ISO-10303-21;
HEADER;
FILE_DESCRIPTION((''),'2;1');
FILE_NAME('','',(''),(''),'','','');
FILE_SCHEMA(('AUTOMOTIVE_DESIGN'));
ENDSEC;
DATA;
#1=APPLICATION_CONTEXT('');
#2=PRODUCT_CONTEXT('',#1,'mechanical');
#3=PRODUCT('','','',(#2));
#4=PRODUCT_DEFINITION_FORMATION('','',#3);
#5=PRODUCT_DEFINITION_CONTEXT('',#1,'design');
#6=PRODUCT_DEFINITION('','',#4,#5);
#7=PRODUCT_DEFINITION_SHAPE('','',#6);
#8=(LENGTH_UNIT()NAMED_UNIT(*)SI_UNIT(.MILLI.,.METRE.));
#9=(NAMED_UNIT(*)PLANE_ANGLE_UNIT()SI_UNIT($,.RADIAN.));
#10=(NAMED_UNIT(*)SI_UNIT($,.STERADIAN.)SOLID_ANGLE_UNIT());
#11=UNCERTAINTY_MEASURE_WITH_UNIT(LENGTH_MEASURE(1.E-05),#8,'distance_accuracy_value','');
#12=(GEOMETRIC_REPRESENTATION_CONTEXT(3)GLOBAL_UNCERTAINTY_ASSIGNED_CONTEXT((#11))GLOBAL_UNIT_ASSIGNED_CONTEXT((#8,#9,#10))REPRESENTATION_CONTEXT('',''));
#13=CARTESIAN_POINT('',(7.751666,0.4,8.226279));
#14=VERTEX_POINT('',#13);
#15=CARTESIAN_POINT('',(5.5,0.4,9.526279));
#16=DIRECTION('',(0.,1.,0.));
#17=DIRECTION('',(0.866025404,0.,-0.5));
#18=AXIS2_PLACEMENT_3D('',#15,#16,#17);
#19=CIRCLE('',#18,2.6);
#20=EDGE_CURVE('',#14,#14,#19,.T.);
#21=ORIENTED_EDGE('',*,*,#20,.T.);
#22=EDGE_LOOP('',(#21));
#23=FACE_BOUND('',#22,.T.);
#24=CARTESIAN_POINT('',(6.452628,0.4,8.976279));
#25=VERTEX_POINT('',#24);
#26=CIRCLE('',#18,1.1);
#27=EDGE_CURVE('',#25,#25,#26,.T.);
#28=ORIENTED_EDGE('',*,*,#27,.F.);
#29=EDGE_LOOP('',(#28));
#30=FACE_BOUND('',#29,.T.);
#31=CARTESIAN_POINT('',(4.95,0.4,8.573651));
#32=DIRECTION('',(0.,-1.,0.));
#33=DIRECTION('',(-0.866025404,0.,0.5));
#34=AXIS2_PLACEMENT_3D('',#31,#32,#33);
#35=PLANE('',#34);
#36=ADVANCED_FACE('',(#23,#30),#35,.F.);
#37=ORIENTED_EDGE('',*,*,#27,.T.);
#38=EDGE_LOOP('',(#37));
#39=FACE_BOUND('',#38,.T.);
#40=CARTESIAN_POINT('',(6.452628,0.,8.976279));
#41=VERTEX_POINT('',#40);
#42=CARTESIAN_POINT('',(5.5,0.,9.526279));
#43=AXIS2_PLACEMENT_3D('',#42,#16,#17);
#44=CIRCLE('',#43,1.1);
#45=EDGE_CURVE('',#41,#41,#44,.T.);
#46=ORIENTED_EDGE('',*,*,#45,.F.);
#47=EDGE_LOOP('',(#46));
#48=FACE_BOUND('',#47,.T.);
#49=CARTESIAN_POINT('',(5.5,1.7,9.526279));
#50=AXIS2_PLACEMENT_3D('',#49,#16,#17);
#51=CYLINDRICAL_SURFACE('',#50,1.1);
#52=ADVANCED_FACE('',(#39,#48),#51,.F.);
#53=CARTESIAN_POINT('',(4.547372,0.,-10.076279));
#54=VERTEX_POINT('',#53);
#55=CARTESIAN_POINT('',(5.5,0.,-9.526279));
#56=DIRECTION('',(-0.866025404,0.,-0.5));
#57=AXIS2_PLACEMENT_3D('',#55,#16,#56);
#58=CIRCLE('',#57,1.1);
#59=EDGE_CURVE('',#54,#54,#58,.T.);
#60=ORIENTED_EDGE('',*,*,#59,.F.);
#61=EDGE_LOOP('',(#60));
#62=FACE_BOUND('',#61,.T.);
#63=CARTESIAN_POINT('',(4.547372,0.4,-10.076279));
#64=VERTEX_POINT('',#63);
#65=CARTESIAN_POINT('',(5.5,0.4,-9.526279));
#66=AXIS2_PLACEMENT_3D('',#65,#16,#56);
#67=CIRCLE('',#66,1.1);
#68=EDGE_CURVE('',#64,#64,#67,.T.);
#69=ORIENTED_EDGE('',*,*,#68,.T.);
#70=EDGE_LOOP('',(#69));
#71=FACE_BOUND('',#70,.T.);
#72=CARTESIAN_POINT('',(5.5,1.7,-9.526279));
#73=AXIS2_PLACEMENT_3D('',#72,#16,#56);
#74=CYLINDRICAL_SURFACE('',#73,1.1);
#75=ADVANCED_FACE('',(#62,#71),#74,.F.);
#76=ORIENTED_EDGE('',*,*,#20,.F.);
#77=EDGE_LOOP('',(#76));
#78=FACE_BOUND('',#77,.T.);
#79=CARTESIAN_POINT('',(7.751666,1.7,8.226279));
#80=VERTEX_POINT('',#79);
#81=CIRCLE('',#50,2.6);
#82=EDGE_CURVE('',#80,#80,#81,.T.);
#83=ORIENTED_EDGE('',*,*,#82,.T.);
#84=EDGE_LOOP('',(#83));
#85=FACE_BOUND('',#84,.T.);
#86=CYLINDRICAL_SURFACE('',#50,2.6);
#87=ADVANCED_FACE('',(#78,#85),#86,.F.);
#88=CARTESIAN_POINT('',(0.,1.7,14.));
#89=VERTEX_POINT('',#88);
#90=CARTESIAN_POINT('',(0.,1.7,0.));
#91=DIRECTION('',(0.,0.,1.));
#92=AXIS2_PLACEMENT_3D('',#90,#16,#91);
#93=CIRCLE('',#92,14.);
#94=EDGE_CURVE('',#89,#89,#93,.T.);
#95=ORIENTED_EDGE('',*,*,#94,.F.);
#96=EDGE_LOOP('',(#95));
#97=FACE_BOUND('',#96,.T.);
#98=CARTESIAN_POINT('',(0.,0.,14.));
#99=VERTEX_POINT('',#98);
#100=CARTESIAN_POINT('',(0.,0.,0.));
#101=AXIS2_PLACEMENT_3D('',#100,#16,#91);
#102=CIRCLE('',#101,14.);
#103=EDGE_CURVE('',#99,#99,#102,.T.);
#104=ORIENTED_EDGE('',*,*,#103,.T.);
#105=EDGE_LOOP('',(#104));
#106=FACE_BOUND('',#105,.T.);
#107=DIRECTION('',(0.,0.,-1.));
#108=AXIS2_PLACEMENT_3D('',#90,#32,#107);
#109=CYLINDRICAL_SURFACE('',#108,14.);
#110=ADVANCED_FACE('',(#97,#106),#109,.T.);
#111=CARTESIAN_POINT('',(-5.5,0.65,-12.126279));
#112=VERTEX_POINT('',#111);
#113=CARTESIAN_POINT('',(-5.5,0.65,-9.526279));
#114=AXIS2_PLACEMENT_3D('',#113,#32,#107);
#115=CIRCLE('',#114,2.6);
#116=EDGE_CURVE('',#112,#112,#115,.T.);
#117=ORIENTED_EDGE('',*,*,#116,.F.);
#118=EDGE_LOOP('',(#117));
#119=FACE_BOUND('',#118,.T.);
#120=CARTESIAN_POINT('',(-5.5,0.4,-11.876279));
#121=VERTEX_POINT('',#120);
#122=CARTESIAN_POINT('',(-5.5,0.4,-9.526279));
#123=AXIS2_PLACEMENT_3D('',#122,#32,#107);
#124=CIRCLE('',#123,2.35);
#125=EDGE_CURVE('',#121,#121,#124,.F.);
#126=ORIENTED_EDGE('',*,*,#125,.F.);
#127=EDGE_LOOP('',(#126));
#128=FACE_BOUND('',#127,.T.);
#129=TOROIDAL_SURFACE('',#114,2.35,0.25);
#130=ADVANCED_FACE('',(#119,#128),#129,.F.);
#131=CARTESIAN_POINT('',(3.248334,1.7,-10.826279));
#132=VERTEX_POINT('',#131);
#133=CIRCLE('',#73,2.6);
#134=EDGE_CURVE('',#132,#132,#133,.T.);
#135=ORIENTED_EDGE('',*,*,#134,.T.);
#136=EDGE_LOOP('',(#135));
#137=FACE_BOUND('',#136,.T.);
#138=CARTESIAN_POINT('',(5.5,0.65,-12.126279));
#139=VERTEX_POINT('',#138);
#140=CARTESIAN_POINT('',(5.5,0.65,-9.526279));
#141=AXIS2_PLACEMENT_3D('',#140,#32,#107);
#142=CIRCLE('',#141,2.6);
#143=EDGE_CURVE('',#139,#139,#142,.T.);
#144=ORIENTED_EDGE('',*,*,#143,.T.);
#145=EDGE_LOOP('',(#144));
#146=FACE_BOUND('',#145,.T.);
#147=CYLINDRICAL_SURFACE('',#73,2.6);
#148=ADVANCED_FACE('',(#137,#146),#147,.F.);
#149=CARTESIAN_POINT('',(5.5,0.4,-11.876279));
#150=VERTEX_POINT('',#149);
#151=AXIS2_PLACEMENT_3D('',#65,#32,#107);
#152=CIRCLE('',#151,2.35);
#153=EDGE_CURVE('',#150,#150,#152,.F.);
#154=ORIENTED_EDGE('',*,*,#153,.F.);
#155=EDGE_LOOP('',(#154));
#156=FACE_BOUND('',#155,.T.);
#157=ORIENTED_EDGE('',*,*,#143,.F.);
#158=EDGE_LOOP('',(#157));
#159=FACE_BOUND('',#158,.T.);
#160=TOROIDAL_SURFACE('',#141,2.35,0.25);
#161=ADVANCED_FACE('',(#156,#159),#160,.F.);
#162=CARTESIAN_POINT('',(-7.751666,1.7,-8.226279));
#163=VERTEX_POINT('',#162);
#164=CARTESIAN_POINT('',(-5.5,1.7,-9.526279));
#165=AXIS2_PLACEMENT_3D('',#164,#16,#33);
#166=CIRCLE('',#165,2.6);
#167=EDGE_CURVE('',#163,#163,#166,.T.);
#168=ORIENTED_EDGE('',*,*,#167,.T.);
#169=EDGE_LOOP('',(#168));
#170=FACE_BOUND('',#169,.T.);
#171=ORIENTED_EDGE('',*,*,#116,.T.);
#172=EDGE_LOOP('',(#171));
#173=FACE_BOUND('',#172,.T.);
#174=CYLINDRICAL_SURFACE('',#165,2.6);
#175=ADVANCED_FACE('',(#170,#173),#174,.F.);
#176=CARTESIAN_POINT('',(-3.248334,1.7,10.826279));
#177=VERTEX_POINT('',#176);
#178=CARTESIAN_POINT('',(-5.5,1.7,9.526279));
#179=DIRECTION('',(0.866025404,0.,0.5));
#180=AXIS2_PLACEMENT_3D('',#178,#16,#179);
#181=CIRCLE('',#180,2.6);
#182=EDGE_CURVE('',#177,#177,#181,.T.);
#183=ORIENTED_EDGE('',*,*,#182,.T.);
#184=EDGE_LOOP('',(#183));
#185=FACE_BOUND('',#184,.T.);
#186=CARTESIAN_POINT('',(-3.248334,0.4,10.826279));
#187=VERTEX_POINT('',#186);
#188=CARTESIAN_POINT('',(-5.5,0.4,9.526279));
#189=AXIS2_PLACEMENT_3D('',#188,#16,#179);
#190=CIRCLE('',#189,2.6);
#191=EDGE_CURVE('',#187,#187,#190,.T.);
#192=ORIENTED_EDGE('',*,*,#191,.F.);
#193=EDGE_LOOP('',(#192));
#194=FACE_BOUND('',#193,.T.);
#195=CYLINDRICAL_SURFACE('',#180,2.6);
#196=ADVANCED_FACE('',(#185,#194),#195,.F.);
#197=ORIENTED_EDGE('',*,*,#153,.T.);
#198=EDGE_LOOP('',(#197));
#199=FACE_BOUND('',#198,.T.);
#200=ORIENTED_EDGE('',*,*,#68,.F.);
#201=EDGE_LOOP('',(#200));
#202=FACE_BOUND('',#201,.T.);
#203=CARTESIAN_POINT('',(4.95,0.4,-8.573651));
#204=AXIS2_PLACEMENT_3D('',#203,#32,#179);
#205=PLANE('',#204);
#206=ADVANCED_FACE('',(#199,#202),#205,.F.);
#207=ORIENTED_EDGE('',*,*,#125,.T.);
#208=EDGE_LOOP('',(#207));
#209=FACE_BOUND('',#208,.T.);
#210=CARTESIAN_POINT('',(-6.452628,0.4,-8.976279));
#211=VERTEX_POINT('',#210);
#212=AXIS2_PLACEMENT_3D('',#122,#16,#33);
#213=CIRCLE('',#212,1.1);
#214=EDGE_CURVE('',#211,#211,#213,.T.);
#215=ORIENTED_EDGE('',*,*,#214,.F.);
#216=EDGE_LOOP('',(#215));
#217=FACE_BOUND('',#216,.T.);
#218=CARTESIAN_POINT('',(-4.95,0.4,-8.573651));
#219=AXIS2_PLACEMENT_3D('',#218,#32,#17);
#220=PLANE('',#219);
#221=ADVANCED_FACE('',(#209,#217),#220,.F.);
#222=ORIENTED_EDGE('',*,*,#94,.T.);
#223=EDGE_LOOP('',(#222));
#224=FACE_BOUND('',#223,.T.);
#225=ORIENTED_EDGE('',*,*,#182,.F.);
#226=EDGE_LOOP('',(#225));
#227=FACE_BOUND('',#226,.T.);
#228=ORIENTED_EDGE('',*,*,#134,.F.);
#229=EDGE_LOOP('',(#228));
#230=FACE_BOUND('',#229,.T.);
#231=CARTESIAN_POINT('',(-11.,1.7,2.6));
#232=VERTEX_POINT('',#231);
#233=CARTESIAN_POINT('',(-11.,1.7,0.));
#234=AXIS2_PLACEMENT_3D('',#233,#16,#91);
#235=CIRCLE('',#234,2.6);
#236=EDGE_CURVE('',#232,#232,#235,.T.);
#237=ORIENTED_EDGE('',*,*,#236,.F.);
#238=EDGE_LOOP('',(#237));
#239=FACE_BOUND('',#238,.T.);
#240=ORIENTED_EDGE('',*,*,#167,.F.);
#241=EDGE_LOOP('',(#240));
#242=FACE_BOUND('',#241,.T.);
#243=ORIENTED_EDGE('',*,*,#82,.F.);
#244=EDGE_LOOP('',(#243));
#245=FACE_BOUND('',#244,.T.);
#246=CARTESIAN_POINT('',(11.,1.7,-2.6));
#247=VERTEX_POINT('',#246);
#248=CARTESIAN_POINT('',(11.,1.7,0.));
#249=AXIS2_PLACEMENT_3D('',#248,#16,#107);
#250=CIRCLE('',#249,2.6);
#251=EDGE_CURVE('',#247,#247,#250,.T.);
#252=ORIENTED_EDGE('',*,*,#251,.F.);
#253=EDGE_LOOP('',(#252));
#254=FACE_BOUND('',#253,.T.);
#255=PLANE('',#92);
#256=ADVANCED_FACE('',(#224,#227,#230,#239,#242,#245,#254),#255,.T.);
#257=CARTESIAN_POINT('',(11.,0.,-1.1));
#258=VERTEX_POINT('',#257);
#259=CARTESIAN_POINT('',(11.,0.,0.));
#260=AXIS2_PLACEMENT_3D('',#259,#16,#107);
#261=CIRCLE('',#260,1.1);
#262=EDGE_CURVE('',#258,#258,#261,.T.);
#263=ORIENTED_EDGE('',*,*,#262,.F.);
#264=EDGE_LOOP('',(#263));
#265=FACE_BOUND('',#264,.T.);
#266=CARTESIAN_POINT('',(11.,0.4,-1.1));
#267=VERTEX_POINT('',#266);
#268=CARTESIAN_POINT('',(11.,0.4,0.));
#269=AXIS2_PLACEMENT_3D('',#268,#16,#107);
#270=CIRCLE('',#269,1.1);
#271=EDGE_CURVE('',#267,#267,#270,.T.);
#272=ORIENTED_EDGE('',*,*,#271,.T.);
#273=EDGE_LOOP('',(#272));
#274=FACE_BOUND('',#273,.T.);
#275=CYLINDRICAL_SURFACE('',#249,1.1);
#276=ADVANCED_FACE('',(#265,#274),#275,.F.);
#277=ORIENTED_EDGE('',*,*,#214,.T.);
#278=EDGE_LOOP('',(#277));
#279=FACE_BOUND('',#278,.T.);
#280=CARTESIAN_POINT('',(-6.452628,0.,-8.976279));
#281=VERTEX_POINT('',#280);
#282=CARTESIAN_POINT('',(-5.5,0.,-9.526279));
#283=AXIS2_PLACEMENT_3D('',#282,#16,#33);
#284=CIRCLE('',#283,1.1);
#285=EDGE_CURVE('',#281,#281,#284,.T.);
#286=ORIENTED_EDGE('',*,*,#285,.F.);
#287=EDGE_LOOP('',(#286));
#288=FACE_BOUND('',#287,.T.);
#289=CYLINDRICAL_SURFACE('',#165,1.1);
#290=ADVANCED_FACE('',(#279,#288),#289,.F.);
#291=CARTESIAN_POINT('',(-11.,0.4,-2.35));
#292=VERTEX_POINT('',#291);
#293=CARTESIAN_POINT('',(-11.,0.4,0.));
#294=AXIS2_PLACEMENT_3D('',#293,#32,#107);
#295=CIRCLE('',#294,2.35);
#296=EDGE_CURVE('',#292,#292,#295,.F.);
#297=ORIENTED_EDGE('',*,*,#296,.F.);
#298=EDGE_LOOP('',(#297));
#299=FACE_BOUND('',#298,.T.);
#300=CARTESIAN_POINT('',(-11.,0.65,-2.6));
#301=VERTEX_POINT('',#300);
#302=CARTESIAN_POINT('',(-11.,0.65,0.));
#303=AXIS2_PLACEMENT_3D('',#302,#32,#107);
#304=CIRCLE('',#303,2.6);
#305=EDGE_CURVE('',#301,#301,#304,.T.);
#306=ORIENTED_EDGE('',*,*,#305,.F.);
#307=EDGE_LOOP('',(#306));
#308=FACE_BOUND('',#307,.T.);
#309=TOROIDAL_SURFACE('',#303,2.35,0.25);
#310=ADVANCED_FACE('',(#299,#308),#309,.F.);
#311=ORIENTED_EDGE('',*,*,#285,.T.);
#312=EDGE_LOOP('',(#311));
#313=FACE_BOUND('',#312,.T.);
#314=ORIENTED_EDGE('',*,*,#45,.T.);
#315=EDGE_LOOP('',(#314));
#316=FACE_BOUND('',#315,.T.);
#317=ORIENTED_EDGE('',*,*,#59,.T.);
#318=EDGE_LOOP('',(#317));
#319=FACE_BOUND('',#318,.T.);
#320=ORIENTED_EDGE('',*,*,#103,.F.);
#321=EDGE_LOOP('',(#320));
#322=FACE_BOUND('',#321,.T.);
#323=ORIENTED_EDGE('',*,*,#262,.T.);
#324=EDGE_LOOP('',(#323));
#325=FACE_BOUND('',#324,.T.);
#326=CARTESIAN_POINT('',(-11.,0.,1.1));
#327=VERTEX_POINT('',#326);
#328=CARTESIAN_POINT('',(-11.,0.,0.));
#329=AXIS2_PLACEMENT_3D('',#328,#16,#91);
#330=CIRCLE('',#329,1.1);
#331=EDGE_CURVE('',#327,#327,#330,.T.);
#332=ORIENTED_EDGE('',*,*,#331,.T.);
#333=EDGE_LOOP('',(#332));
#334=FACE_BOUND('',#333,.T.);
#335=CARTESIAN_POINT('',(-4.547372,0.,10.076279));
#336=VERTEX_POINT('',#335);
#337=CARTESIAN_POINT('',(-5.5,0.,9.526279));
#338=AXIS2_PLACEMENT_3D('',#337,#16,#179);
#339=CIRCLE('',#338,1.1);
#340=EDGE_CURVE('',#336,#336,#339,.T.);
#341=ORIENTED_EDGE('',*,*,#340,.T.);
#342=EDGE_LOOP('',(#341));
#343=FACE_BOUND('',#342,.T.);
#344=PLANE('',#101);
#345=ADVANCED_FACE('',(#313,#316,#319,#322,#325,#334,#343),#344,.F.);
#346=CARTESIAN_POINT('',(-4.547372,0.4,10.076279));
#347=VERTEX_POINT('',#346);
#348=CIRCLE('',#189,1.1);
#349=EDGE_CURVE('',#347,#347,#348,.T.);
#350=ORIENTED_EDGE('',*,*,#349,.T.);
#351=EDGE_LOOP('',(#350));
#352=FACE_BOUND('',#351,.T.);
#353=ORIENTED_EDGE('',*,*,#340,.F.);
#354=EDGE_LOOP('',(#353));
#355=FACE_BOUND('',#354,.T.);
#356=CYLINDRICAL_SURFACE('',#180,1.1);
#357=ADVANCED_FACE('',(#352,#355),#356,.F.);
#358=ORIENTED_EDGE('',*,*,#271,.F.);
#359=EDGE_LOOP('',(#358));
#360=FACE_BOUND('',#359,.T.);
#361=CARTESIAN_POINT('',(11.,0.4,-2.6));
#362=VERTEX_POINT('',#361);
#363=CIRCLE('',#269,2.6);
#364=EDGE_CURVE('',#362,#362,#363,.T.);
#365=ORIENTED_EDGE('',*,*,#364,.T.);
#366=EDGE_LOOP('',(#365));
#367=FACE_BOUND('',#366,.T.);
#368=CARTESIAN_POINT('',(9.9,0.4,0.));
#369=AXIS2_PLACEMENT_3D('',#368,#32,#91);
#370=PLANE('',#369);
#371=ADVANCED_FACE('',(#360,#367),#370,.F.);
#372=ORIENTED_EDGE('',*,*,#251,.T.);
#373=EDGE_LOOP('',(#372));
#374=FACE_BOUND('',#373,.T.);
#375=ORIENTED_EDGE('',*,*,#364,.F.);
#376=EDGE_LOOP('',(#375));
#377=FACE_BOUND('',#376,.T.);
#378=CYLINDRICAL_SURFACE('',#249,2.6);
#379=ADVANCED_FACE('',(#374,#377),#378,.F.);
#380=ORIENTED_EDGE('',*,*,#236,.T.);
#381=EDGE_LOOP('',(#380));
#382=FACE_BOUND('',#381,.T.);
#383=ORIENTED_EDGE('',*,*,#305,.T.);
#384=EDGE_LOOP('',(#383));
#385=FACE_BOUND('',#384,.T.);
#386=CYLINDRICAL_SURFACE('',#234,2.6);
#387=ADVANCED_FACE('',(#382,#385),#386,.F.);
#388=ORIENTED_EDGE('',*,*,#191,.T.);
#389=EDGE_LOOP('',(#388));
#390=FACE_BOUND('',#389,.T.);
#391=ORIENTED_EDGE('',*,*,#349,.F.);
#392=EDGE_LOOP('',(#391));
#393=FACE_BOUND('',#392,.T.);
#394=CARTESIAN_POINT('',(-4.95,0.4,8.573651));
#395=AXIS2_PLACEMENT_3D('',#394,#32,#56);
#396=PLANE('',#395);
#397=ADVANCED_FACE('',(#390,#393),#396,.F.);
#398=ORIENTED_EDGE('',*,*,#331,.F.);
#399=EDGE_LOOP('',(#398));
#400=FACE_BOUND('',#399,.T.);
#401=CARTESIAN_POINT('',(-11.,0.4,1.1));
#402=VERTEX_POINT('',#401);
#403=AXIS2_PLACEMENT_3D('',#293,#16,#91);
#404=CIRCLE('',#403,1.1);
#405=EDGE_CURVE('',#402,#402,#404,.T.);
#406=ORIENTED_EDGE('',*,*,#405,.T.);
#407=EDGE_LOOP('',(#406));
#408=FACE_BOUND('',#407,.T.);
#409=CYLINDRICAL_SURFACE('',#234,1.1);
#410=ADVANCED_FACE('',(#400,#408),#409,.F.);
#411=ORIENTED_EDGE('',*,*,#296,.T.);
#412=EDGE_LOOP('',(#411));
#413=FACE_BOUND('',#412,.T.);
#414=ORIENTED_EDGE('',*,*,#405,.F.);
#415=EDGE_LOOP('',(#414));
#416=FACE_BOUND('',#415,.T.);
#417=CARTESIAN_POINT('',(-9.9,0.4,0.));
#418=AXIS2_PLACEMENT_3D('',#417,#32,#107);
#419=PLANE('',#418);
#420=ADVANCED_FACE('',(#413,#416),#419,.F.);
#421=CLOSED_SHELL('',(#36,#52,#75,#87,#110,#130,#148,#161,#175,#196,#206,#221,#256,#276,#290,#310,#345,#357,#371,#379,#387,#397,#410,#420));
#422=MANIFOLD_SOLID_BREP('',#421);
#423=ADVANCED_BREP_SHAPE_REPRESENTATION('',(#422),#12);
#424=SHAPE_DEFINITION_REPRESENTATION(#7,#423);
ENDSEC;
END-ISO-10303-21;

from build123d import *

# Parameters (mm, degrees)
SKETCH1_R           = 14
BOSS_EXTRUDE1_DEPTH = 1.7
CIRPATTERN1_COUNT   = 6
FILLET1_R           = 0.25


with BuildPart() as part:
    # Sketch1 → Boss-Extrude1 (new body)
    with BuildSketch(Plane(origin=(0, 0, 0), x_dir=(1, 0, 0), z_dir=(0, 1, 0))):
        with Locations(Location((0, 0, 0), (0, 0, 270))):
            Circle(SKETCH1_R)
    extrude(amount=BOSS_EXTRUDE1_DEPTH)

    # Sketch14 → CBORE for M5 Hex Head Bolt1 (revolve, cut)
    with BuildSketch(Plane(origin=(-11, 1.7, 0), x_dir=(0, 0, 1), z_dir=(1, 0, 0))):
        Polygon((0, 0), (0, 5.660946681), (1.1, 5), (1.1, 1.3), (2.6, 1.3), (2.6, 0), align=None)
    cbore_for_m5_hex_head_bolt1 = revolve(axis=Axis((-11, 8.05, 0), (0, -1, 0)), mode=Mode.SUBTRACT)

    # CirPattern1: CBORE for M5 Hex Head Bolt1 ×6 about axis
    cirpattern1_axis = Axis((0, 0, 0), (0, 1, 0))
    for i in range(1, CIRPATTERN1_COUNT):
        add(cbore_for_m5_hex_head_bolt1.rotate(cirpattern1_axis, i * 360 / CIRPATTERN1_COUNT), mode=Mode.SUBTRACT)

    # Fillet1
    fillet1_edges = [part.edges().sort_by_distance(p)[0] for p in [
        (-3.24833395, 0.4, -10.826279442),
        (7.75166605, 0.4, -8.226279442),
        (-11, 0.4, -2.6),
    ]]
    fillet(fillet1_edges, radius=FILLET1_R)


solid = part.part
